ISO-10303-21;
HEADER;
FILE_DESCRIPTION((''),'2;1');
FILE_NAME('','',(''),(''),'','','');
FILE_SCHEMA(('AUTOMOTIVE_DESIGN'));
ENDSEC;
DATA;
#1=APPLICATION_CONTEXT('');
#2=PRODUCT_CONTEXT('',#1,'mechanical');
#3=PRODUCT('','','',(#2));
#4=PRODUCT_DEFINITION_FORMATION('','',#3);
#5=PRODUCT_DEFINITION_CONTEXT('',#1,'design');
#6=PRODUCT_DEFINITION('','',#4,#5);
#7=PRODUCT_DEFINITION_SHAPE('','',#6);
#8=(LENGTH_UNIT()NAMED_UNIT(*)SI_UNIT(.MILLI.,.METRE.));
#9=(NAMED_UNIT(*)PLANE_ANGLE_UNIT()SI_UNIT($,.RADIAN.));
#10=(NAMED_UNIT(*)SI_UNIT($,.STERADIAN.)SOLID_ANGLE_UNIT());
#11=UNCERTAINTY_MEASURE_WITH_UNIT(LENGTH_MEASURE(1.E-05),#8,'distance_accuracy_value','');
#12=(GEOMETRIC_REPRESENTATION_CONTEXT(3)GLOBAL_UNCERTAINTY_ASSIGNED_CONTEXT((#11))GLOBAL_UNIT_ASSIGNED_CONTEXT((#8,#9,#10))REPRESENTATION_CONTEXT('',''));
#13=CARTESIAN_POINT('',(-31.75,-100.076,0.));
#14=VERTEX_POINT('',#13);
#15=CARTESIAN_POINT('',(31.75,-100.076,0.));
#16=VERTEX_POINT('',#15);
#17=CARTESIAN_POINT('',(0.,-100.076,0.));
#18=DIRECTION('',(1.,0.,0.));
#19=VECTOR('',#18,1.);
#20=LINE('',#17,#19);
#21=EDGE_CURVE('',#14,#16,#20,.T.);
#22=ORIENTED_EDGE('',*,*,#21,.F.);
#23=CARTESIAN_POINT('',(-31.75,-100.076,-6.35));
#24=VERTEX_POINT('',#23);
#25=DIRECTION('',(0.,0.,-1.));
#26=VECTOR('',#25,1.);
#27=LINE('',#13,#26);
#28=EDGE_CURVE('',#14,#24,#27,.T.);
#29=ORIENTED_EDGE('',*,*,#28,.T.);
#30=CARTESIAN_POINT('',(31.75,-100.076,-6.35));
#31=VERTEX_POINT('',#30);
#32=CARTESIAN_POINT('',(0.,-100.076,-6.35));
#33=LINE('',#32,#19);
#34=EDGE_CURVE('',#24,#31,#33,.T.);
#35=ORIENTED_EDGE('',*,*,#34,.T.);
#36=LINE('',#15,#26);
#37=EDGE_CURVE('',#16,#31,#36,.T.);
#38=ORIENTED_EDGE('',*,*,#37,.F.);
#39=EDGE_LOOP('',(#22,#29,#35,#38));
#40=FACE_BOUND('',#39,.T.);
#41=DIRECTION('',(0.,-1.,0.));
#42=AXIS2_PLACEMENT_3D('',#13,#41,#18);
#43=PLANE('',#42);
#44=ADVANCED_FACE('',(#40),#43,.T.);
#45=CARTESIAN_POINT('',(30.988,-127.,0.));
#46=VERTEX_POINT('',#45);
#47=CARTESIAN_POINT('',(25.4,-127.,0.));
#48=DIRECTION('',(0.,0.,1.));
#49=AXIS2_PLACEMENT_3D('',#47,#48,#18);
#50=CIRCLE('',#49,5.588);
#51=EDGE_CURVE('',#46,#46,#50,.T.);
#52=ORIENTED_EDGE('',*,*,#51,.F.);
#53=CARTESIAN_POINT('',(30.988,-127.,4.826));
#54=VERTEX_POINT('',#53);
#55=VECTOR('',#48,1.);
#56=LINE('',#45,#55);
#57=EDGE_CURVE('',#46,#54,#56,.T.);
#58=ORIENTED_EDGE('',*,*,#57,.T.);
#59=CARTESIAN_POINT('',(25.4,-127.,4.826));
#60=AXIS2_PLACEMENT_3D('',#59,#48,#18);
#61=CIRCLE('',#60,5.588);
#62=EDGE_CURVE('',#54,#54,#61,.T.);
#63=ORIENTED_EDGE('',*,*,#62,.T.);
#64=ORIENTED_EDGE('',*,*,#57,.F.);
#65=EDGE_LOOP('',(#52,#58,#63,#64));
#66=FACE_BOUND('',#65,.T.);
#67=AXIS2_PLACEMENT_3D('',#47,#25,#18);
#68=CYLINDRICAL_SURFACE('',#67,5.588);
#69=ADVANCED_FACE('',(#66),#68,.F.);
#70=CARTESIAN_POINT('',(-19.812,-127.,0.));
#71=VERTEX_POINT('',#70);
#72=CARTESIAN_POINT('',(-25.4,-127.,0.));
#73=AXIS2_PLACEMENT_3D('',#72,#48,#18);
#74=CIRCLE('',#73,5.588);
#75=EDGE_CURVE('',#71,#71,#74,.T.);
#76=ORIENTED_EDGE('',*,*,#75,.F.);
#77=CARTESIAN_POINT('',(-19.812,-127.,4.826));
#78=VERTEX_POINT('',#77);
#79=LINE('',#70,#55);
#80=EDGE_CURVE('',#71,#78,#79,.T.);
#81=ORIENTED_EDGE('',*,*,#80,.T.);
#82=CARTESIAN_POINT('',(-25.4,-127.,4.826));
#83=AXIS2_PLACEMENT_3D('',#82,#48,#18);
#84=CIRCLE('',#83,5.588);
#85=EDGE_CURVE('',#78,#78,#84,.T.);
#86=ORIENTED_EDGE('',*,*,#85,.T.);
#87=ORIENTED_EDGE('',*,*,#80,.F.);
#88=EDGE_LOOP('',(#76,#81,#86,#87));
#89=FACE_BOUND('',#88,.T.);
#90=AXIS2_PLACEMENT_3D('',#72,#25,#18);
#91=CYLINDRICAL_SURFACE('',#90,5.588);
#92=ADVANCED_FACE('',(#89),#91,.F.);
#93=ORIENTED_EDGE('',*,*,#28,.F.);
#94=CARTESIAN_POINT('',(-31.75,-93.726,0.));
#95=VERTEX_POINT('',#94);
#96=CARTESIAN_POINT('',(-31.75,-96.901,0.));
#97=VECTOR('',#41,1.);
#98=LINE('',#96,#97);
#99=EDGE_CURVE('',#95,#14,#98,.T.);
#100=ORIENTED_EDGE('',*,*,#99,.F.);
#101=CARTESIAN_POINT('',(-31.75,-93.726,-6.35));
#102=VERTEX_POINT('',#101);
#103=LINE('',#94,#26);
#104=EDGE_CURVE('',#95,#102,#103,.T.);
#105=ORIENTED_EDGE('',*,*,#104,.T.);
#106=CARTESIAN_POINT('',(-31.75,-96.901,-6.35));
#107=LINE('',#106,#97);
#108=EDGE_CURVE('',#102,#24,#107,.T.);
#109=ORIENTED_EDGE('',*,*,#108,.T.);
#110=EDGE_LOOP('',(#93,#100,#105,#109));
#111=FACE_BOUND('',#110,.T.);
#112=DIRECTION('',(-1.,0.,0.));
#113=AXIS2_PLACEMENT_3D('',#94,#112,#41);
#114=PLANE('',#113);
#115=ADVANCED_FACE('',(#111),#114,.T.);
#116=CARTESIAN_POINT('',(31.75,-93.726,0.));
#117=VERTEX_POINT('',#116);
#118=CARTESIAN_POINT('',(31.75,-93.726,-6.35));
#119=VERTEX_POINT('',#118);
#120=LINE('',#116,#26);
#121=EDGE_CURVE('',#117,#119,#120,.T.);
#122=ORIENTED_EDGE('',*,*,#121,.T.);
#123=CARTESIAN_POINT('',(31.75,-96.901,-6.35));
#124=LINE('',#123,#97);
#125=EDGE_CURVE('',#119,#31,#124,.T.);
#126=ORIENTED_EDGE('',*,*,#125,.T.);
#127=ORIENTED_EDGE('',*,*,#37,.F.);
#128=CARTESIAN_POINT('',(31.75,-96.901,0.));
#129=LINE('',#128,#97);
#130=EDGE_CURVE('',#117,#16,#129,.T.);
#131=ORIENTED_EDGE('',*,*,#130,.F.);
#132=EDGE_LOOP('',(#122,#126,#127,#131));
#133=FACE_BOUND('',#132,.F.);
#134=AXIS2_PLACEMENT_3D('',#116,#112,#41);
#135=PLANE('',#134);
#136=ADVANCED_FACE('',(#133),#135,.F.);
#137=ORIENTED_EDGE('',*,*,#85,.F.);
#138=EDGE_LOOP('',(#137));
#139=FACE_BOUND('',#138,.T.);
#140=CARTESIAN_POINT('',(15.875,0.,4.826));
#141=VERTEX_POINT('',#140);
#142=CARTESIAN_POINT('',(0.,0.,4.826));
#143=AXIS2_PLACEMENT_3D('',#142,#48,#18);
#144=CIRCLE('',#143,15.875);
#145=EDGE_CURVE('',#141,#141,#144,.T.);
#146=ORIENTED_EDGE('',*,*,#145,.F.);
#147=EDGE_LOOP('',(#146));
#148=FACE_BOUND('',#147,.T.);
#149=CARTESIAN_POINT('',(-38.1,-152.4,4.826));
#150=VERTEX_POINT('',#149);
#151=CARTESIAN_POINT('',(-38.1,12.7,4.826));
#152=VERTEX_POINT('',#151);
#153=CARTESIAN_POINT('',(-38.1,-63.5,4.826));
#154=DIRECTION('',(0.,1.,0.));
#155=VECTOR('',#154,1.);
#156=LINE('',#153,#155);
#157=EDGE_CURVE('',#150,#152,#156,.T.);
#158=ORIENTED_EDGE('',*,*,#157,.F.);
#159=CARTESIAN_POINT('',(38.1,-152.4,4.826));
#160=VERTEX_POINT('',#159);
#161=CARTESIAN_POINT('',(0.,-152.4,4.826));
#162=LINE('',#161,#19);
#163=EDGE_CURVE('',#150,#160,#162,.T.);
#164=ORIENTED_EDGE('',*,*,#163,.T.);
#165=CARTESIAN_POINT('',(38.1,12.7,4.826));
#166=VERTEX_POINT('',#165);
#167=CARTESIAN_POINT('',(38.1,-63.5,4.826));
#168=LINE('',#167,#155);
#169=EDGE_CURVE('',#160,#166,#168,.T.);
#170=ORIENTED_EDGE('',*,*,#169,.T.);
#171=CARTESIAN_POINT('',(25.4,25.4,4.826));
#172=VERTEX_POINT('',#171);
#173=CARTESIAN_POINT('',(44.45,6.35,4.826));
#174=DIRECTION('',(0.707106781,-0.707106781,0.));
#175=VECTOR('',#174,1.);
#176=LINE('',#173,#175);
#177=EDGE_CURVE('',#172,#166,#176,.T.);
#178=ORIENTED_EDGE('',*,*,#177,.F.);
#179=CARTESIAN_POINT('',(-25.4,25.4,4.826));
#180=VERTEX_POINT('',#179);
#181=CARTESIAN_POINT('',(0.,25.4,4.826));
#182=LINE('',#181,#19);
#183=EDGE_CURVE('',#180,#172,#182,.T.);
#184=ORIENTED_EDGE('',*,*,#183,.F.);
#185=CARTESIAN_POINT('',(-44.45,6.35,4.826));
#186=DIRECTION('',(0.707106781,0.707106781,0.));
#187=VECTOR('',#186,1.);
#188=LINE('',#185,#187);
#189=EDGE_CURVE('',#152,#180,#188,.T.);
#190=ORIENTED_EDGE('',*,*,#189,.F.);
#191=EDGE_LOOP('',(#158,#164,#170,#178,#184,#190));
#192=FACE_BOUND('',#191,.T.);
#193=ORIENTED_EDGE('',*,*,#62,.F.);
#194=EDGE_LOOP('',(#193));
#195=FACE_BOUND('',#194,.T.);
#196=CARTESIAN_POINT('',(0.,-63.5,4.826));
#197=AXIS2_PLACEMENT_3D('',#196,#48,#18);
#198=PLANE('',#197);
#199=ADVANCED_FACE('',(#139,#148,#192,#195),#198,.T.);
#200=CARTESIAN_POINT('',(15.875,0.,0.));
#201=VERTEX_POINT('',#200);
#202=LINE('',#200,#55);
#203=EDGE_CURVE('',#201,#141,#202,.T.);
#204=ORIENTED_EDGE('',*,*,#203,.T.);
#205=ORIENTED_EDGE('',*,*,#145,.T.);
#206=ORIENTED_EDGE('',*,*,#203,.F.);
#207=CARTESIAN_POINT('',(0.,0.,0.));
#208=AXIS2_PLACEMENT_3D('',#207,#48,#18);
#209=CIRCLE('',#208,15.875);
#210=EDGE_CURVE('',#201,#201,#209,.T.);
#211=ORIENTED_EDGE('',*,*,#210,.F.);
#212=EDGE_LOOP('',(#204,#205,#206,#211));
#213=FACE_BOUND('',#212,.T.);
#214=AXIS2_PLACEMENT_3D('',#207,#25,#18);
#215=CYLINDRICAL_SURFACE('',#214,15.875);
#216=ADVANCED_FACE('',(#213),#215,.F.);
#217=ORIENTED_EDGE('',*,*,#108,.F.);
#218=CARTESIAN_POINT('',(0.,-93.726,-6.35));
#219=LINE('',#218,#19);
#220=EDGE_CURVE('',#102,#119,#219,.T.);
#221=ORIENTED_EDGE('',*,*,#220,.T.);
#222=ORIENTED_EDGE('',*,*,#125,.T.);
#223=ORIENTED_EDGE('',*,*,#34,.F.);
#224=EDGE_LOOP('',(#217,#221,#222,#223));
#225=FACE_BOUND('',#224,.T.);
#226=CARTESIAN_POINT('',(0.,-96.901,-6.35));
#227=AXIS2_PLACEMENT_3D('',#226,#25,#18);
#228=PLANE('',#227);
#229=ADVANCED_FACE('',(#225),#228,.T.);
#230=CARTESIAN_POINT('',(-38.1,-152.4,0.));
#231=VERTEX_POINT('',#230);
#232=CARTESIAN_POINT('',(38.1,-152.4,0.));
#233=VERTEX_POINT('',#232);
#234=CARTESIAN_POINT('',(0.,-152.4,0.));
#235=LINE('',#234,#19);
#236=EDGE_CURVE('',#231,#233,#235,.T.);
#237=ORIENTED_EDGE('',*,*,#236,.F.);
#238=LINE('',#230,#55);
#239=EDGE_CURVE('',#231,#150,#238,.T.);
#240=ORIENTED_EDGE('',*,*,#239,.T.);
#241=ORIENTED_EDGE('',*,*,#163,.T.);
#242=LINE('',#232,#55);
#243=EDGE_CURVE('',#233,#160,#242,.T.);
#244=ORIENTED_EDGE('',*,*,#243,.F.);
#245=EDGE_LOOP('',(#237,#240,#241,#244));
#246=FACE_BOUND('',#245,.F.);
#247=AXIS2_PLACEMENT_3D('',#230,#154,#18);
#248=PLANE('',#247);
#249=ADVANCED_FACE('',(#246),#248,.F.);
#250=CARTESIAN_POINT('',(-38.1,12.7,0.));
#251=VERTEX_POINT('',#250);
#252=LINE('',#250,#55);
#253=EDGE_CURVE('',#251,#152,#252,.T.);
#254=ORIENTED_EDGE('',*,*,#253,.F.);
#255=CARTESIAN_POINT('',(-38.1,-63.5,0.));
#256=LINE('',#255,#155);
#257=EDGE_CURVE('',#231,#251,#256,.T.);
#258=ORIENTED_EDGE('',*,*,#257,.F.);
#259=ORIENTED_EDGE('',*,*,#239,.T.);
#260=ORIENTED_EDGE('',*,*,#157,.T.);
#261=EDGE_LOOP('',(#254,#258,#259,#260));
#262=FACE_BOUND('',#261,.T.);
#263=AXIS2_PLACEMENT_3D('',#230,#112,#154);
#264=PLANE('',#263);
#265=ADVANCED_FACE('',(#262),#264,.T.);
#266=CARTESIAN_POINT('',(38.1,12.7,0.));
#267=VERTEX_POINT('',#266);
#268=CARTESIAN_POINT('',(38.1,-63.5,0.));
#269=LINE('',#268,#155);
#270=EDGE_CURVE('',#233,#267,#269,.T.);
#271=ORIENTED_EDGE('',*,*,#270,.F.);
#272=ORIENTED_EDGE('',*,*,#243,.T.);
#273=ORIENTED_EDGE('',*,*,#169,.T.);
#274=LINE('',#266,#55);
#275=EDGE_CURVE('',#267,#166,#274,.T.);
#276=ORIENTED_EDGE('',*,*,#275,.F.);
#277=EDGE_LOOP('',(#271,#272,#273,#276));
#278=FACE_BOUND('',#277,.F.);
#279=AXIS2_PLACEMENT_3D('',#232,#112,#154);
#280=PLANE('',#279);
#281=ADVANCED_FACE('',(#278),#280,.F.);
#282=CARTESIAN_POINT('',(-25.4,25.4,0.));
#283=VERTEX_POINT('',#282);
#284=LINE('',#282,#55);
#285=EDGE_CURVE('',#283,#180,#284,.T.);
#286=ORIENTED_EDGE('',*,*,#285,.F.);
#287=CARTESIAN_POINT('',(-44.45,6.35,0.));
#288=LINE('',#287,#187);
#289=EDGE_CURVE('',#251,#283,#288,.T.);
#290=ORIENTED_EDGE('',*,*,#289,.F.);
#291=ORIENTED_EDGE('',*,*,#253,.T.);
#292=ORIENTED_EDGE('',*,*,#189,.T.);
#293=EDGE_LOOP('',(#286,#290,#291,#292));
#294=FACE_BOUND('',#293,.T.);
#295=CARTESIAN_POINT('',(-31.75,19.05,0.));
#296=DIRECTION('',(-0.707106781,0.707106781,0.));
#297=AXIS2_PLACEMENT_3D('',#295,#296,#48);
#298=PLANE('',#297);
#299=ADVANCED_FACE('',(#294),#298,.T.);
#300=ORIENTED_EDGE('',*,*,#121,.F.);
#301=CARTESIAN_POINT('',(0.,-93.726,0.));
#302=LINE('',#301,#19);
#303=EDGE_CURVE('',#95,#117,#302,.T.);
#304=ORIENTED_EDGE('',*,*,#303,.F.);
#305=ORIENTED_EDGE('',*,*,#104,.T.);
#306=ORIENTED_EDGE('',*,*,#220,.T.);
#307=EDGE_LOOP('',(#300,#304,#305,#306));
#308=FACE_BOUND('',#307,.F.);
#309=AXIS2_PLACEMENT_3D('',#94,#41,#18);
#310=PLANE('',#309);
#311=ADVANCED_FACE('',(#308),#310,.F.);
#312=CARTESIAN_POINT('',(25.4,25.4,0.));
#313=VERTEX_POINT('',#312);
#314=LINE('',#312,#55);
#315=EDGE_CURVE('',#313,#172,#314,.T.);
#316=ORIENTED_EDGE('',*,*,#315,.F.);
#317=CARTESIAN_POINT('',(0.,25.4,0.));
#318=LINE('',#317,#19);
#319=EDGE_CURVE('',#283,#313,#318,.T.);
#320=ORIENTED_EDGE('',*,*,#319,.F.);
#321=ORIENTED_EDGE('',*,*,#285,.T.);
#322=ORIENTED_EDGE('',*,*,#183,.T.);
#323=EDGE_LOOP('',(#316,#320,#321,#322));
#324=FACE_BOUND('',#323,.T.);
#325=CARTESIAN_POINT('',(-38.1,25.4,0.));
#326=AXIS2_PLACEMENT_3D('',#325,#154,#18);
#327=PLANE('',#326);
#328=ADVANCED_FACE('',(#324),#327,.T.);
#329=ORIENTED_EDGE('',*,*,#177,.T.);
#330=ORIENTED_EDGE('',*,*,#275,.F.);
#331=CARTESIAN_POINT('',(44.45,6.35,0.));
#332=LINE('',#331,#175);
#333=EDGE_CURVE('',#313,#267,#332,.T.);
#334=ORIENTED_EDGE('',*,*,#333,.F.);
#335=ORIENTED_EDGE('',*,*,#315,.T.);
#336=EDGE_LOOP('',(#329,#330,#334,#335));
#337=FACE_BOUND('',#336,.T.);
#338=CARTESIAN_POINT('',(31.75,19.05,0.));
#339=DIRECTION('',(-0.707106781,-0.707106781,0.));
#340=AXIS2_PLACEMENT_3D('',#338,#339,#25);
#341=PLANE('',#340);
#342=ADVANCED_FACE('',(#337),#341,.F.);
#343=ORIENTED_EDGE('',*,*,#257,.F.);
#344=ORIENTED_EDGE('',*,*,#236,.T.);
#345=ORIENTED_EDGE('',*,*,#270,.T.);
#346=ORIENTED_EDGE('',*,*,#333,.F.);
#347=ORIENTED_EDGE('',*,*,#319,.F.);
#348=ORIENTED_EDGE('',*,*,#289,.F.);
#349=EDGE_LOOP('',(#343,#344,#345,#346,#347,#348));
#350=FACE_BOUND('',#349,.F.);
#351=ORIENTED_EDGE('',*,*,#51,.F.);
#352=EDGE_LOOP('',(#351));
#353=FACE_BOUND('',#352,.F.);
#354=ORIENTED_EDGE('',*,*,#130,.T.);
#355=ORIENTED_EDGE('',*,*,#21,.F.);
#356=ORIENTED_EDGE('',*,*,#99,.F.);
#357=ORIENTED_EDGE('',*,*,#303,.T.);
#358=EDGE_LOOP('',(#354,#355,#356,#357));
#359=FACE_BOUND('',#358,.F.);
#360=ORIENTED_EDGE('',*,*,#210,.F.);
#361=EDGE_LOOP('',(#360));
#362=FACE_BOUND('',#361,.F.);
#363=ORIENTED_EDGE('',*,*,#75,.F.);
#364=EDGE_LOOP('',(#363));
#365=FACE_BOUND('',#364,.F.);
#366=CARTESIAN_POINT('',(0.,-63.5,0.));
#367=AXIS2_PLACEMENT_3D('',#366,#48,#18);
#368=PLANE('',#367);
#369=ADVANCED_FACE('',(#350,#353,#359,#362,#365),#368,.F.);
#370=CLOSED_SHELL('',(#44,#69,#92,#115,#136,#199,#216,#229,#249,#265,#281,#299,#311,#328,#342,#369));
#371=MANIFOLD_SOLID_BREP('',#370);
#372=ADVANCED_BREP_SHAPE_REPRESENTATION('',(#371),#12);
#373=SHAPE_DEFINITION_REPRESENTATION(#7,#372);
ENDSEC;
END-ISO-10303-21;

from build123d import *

# Parameters (mm, degrees)
F0_W     = 76.2
F0_H     = 177.8
F0_R     = 5.588
F0_R_2   = 15.875
F1_DEPTH = 4.826
F2_SIZE  = 12.7
F3_W     = 63.5
F3_H     = 6.35
F4_DEPTH = 6.35


with BuildPart() as f1:
    # F0 (on Top) → F1 (new body)
    with BuildSketch(Plane.XY):
        with Locations((0, -63.5)):
            Rectangle(F0_W, F0_H)
        with Locations((-25.4, -127)):
            Circle(F0_R, mode=Mode.SUBTRACT)
        with Locations((25.4, -127)):
            Circle(F0_R, mode=Mode.SUBTRACT)
        Circle(F0_R_2, mode=Mode.SUBTRACT)
    extrude(amount=F1_DEPTH)

    # F2
    f2_edges = [f1.edges().sort_by_distance(p)[0] for p in [
        (38.1, 25.4, 2.413),
        (-38.1, 25.4, 2.413),
    ]]
    chamfer(f2_edges, length=F2_SIZE)

    # F3 (on face) → F4 (join)
    with BuildSketch(Plane(origin=(0, 0, 0), x_dir=(1, 0, 0), z_dir=(0, 0, -1))):
        with Locations((0, 96.901)):
            Rectangle(F3_W, F3_H)
    extrude(amount=F4_DEPTH)


solid = f1.part
